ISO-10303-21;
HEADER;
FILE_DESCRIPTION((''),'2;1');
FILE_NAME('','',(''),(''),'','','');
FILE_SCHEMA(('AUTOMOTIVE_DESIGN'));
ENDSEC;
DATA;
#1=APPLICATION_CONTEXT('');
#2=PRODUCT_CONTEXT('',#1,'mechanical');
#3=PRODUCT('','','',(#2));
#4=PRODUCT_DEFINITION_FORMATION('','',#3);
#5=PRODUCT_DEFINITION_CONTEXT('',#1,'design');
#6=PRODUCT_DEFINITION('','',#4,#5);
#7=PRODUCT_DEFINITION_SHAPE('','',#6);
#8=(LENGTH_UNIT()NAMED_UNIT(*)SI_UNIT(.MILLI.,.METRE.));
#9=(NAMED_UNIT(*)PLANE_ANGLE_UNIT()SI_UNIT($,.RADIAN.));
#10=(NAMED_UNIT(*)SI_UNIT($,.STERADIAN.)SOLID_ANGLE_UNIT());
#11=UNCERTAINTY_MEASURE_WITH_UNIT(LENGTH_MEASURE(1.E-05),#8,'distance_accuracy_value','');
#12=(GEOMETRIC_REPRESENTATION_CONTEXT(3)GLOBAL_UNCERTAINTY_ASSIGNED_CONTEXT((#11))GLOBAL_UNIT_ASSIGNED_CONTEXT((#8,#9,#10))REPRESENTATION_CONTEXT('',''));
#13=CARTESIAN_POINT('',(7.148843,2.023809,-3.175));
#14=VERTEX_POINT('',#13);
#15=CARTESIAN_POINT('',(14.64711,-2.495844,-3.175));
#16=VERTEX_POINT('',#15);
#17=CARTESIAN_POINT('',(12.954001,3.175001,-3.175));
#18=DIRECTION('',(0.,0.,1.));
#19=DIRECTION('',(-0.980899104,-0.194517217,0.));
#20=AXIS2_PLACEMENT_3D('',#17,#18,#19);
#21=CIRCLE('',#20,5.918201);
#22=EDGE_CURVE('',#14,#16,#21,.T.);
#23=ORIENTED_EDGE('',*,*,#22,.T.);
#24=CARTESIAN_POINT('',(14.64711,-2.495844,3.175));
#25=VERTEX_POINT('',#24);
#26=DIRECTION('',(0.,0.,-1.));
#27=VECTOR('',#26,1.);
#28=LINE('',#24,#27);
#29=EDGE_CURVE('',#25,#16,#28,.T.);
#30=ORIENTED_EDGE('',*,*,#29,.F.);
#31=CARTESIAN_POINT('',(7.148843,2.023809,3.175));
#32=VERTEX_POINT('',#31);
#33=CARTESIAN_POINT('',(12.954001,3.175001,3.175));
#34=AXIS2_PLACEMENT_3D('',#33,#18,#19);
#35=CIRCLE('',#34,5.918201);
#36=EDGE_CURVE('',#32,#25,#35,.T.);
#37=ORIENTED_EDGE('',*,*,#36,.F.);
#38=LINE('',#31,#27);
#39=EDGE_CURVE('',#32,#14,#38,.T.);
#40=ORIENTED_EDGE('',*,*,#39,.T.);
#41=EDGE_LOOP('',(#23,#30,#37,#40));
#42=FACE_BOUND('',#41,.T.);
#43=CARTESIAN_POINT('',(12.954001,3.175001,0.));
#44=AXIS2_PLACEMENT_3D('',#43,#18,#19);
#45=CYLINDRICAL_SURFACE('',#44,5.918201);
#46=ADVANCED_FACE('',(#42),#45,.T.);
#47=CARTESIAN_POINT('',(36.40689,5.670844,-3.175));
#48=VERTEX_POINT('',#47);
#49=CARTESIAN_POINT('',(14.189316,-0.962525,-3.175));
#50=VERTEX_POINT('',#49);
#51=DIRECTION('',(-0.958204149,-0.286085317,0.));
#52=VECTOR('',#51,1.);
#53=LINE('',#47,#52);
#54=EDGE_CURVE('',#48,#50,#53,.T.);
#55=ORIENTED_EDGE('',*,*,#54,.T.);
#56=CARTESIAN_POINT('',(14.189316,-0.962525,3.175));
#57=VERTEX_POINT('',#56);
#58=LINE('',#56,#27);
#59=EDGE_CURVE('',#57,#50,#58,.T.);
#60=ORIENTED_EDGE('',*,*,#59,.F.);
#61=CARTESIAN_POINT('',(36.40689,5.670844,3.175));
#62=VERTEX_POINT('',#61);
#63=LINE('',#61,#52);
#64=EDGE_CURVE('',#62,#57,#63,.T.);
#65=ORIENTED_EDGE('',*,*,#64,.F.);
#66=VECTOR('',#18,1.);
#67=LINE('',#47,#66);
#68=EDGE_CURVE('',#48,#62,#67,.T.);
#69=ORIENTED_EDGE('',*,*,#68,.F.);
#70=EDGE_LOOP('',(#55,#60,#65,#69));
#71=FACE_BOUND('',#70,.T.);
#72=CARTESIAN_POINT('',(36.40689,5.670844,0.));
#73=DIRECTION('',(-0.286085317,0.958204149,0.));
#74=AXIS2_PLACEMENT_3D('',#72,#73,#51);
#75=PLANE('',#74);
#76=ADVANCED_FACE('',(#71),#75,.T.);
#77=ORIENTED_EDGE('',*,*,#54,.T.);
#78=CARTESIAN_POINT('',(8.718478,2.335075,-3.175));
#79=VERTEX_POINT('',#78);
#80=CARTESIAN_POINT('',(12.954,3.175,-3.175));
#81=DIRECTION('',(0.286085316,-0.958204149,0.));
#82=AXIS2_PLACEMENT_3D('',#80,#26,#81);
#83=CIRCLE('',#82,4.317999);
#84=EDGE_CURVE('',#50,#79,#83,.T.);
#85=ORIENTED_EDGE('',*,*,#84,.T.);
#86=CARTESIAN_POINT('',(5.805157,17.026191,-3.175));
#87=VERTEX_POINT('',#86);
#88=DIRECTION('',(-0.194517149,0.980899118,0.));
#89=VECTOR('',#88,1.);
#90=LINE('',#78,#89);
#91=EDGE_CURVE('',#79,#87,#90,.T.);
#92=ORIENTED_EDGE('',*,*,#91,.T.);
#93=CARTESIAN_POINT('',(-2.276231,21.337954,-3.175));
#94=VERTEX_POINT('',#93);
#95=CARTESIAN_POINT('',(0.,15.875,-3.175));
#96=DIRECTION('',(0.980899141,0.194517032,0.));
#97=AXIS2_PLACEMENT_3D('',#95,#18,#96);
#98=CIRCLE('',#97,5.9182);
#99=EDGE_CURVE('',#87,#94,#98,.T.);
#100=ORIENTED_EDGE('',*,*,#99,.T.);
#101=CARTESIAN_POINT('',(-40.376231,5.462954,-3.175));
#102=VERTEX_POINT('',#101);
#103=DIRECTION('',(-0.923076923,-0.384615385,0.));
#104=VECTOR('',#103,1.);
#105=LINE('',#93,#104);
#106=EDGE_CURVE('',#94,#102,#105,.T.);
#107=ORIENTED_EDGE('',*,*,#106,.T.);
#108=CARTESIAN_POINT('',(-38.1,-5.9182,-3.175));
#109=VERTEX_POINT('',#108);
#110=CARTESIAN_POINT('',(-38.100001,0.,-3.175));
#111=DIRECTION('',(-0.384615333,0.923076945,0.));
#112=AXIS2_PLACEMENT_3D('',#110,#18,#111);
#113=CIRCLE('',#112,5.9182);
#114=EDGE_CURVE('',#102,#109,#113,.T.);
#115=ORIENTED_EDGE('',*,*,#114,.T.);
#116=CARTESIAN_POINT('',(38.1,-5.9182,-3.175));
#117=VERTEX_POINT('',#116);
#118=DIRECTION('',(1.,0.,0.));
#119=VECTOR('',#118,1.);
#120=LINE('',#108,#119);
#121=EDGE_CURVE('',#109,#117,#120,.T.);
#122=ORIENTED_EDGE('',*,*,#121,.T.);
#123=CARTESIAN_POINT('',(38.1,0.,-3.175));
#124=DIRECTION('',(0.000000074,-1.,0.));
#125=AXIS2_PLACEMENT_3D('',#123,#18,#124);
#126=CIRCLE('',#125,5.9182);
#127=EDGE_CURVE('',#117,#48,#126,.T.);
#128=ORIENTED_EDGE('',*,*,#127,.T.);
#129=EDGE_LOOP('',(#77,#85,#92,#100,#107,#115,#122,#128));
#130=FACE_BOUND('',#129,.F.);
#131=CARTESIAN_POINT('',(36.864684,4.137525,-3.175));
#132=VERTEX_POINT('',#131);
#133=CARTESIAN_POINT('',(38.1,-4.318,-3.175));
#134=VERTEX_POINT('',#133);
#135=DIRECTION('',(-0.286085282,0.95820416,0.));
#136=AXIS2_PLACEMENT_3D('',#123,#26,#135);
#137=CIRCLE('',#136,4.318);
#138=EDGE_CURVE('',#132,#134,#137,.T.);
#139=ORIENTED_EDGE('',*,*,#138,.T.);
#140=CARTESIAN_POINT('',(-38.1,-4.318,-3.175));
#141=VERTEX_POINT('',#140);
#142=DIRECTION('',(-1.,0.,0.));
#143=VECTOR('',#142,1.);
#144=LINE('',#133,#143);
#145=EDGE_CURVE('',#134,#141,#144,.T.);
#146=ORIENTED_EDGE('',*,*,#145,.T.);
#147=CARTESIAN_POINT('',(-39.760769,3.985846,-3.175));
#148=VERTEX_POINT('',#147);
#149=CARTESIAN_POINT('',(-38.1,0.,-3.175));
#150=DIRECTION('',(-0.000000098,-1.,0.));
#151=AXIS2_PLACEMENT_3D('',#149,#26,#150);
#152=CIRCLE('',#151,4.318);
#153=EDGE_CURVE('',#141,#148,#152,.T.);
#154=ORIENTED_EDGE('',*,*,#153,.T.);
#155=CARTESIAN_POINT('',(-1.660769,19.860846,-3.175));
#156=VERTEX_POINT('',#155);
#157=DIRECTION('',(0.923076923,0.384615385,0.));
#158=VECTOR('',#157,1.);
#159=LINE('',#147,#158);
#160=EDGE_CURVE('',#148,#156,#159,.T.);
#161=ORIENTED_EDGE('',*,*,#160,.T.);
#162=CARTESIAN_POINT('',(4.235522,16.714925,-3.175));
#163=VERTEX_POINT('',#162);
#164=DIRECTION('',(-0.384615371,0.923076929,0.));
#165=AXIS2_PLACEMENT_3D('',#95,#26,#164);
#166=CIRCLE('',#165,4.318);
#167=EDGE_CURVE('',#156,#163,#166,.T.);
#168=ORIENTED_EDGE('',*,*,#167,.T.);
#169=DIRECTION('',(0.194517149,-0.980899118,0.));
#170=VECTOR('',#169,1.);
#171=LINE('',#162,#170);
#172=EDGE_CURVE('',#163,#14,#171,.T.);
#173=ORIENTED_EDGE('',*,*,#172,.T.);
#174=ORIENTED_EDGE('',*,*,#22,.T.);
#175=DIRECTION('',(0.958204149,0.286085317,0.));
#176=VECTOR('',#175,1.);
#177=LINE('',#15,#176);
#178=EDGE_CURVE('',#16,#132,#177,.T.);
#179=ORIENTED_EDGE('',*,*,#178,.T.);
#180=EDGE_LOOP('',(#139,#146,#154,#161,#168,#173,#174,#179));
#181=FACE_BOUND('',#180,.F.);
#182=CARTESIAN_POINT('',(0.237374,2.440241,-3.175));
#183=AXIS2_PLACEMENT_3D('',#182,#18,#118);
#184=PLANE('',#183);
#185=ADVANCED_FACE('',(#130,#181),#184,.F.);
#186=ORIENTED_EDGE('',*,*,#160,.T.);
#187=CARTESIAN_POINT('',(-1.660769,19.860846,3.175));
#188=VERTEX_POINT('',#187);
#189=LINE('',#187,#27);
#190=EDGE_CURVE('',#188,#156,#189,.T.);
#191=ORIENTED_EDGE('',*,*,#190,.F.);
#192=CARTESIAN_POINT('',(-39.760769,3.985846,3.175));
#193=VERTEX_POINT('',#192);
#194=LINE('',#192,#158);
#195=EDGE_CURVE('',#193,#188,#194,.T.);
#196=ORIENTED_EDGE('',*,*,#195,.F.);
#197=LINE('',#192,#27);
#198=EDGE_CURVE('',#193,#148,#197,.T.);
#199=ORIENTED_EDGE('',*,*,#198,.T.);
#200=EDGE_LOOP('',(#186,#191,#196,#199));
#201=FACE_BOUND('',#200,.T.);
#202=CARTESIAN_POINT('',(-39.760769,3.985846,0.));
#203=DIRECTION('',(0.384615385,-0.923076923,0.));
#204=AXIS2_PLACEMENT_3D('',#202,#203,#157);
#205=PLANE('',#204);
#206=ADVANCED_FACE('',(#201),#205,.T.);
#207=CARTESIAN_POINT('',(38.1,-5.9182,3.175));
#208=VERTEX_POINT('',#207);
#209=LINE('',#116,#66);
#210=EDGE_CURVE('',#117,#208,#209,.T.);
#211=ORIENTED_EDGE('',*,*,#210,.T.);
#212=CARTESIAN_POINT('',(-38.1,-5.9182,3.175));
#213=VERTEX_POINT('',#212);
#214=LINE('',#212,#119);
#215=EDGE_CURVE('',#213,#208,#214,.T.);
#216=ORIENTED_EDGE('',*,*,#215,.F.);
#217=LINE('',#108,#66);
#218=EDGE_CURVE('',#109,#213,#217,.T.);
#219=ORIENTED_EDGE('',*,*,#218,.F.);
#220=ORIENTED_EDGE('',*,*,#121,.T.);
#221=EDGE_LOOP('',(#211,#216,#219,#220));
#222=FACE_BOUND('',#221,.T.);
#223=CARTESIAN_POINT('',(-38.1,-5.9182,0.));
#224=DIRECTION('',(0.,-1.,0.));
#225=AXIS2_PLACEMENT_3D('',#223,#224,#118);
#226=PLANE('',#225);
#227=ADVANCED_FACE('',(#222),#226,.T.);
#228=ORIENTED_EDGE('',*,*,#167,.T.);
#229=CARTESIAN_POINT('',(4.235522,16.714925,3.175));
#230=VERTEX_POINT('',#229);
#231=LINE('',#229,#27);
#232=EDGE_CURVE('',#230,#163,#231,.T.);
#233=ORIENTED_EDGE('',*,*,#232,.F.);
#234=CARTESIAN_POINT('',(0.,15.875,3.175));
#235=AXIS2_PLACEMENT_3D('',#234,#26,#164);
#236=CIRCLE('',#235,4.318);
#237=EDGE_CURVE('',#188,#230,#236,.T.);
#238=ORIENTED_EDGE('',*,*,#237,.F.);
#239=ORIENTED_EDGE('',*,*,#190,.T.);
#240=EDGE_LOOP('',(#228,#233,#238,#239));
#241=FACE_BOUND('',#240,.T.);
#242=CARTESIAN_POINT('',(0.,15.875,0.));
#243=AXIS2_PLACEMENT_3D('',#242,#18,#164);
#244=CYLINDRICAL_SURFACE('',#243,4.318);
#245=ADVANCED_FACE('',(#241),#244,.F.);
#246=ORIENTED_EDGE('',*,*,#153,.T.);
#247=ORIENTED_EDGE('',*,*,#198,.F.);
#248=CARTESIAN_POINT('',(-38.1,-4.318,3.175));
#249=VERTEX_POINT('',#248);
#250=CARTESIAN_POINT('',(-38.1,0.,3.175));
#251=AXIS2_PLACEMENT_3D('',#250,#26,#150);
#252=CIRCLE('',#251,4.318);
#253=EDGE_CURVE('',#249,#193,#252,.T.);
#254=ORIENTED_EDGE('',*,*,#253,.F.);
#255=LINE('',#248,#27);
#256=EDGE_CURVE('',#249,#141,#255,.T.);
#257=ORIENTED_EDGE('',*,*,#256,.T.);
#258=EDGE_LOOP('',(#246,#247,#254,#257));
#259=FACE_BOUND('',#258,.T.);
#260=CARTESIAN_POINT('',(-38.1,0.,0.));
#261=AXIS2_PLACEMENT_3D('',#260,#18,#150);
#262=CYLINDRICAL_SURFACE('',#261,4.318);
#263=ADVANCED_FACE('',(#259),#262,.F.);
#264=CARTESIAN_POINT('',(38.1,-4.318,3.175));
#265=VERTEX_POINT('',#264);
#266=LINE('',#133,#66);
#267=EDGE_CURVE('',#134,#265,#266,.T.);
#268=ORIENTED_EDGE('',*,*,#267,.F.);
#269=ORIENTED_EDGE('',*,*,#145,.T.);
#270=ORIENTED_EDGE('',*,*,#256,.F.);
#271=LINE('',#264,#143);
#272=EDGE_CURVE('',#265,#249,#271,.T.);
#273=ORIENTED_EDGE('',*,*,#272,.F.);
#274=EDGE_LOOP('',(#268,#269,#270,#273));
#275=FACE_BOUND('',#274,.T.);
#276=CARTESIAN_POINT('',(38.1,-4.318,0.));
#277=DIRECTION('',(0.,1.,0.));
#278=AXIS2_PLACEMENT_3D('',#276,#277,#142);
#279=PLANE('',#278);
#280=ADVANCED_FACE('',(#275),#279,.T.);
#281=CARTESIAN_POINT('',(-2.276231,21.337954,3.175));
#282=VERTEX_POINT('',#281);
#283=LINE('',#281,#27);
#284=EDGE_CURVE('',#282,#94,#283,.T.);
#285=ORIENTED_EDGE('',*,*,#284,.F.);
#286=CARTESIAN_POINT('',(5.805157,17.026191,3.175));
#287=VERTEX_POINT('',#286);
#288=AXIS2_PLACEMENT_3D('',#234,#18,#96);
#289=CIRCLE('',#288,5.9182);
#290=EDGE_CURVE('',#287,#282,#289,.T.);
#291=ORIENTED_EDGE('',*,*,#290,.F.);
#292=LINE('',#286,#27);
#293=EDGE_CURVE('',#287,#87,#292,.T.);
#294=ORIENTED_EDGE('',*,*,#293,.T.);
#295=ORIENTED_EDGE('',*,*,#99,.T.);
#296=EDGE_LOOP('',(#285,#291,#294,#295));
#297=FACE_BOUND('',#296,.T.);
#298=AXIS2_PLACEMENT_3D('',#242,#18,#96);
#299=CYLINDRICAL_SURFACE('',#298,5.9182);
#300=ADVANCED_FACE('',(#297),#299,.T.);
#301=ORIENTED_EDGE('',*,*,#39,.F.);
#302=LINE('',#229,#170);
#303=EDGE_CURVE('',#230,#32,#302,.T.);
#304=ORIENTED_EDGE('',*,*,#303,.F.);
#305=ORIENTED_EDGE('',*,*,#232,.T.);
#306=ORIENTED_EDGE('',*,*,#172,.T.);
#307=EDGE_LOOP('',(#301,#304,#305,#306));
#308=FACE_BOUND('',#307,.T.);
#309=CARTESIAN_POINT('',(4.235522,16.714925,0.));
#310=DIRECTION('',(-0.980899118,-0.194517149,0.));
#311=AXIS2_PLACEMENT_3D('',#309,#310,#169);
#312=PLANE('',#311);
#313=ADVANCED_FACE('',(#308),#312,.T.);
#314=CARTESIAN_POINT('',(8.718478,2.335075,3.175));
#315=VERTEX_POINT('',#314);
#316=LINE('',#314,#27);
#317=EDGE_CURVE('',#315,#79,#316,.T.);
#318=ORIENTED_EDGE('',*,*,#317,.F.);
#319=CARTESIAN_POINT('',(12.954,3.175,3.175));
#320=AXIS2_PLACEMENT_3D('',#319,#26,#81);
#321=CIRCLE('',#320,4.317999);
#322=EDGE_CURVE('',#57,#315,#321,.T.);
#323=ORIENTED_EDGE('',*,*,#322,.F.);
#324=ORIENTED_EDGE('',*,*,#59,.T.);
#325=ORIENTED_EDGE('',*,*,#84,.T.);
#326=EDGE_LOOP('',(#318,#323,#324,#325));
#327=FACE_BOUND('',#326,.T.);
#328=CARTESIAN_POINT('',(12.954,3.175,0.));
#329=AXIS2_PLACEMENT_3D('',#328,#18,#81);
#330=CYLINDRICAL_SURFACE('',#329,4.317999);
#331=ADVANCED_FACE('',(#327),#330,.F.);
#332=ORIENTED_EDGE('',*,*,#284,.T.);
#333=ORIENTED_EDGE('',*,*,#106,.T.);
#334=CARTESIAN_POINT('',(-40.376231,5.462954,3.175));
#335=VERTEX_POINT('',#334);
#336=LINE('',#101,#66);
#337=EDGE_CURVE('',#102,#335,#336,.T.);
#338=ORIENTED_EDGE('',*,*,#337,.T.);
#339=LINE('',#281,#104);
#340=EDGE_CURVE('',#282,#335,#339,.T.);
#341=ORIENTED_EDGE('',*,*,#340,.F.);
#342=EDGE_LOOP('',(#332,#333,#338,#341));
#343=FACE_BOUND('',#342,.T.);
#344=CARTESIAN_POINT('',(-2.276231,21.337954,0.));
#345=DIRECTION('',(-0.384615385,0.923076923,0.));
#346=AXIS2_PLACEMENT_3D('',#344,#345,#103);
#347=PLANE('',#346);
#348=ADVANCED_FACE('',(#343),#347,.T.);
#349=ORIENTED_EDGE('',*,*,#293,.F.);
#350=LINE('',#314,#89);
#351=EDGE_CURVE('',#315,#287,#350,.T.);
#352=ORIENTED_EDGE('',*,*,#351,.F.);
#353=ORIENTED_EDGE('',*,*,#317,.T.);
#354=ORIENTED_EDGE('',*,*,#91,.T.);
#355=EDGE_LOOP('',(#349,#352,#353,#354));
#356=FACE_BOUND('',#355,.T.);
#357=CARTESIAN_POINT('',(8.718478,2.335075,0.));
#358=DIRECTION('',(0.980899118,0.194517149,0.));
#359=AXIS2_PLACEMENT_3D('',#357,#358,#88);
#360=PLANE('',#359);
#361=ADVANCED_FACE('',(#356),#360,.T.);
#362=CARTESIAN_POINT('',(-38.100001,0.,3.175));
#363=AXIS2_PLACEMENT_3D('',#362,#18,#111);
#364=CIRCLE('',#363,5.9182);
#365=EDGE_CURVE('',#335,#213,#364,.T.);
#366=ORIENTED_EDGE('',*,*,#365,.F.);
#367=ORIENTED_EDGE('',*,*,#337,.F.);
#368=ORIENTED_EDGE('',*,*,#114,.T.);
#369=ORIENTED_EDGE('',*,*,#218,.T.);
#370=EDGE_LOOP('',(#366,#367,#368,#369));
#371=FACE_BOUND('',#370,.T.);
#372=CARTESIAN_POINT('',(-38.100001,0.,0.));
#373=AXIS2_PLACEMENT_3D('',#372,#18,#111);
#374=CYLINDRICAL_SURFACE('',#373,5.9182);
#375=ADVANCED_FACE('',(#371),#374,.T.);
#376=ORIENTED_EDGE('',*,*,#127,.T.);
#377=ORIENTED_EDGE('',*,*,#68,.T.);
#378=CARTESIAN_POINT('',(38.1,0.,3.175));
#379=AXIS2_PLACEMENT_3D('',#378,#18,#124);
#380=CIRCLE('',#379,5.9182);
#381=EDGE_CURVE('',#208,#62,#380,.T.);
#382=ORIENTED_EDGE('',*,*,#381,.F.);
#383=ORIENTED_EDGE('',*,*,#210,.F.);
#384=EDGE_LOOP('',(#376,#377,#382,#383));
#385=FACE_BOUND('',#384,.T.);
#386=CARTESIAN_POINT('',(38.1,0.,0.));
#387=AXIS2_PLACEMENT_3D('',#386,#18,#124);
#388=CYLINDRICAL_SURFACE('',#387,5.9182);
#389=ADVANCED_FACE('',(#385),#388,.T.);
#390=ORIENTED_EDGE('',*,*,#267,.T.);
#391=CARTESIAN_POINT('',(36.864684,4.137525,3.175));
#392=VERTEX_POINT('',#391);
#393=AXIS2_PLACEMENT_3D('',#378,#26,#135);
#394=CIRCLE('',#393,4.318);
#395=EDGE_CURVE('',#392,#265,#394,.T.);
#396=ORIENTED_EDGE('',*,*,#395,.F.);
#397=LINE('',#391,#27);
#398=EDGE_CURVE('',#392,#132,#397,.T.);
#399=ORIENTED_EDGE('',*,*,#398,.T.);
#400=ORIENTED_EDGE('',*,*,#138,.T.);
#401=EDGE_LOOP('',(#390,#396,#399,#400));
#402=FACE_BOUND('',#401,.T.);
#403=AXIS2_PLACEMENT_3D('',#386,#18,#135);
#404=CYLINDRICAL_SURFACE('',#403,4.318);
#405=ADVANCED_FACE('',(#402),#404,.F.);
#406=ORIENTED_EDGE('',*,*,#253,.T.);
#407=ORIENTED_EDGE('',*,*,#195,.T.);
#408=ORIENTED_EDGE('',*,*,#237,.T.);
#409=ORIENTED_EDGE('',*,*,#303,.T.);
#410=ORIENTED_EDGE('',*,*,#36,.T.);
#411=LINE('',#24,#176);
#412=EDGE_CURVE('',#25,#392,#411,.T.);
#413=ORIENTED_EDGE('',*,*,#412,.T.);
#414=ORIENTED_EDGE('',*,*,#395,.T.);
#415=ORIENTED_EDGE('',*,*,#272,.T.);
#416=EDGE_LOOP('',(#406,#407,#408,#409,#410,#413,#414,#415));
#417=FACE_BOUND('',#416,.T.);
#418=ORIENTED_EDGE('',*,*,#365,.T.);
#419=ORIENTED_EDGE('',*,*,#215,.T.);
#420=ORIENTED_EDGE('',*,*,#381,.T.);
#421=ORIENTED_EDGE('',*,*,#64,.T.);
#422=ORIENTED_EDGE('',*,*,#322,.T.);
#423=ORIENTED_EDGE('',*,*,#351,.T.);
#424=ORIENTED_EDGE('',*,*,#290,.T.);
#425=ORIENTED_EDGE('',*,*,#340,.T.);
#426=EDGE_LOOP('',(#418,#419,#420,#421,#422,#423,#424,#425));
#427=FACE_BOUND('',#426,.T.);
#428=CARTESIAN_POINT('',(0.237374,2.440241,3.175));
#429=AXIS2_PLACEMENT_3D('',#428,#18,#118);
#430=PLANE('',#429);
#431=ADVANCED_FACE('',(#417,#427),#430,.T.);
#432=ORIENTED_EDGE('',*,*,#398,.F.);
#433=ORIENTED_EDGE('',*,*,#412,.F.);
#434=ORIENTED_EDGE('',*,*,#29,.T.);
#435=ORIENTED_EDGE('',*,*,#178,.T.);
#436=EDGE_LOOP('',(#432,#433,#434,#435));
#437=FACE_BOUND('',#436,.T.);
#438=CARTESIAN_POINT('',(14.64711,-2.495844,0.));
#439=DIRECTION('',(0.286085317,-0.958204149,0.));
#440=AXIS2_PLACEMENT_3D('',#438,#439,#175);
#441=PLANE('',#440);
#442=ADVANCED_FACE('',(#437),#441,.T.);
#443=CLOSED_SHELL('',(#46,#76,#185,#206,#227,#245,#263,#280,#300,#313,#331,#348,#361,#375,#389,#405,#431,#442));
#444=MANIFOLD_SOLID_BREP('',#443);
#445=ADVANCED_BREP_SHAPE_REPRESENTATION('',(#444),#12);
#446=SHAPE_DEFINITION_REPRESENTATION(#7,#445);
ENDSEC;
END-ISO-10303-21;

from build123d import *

# Parameters (mm, degrees)
F1_DEPTH = 3.175


with BuildPart() as f1:
    # F0 (on Top) → F1 (new body, symmetric)
    with BuildSketch(Plane.XY):
        with BuildLine():
            Line((-2.276231, 21.337954), (-40.376231, 5.462954))
            ThreePointArc((-40.376231, 5.462954), (-43.903273, -1.160655), (-38.1, -5.9182))
            Line((-38.1, -5.9182), (38.1, -5.9182))
            ThreePointArc((38.1, -5.9182), (43.956034, 0.855542), (36.40689, 5.670844))
            Line((36.40689, 5.670844), (14.189316, -0.962525))
            ThreePointArc((14.189316, -0.962525), (10.724908, -0.523144), (8.718478, 2.335075))
            Line((8.718478, 2.335075), (5.805157, 17.026191))
            ThreePointArc((5.805157, 17.026191), (2.785885, 21.096488), (-2.276231, 21.337954))
        make_face()
        with BuildLine():
            Line((38.1, -4.318), (-38.1, -4.318))
            ThreePointArc((-38.1, -4.318), (-42.334147, -0.846829), (-39.760769, 3.985846))
            Line((-39.760769, 3.985846), (-1.660769, 19.860846))
            ThreePointArc((-1.660769, 19.860846), (2.03262, 19.684669), (4.235522, 16.714925))
            Line((4.235522, 16.714925), (7.148843, 2.023809))
            ThreePointArc((7.148843, 2.023809), (9.898833, -1.893633), (14.64711, -2.495844))
            Line((14.64711, -2.495844), (36.864684, 4.137525))
            ThreePointArc((36.864684, 4.137525), (42.372643, 0.624215), (38.1, -4.318))
        make_face(mode=Mode.SUBTRACT)
    extrude(amount=F1_DEPTH, both=True)


solid = f1.part
